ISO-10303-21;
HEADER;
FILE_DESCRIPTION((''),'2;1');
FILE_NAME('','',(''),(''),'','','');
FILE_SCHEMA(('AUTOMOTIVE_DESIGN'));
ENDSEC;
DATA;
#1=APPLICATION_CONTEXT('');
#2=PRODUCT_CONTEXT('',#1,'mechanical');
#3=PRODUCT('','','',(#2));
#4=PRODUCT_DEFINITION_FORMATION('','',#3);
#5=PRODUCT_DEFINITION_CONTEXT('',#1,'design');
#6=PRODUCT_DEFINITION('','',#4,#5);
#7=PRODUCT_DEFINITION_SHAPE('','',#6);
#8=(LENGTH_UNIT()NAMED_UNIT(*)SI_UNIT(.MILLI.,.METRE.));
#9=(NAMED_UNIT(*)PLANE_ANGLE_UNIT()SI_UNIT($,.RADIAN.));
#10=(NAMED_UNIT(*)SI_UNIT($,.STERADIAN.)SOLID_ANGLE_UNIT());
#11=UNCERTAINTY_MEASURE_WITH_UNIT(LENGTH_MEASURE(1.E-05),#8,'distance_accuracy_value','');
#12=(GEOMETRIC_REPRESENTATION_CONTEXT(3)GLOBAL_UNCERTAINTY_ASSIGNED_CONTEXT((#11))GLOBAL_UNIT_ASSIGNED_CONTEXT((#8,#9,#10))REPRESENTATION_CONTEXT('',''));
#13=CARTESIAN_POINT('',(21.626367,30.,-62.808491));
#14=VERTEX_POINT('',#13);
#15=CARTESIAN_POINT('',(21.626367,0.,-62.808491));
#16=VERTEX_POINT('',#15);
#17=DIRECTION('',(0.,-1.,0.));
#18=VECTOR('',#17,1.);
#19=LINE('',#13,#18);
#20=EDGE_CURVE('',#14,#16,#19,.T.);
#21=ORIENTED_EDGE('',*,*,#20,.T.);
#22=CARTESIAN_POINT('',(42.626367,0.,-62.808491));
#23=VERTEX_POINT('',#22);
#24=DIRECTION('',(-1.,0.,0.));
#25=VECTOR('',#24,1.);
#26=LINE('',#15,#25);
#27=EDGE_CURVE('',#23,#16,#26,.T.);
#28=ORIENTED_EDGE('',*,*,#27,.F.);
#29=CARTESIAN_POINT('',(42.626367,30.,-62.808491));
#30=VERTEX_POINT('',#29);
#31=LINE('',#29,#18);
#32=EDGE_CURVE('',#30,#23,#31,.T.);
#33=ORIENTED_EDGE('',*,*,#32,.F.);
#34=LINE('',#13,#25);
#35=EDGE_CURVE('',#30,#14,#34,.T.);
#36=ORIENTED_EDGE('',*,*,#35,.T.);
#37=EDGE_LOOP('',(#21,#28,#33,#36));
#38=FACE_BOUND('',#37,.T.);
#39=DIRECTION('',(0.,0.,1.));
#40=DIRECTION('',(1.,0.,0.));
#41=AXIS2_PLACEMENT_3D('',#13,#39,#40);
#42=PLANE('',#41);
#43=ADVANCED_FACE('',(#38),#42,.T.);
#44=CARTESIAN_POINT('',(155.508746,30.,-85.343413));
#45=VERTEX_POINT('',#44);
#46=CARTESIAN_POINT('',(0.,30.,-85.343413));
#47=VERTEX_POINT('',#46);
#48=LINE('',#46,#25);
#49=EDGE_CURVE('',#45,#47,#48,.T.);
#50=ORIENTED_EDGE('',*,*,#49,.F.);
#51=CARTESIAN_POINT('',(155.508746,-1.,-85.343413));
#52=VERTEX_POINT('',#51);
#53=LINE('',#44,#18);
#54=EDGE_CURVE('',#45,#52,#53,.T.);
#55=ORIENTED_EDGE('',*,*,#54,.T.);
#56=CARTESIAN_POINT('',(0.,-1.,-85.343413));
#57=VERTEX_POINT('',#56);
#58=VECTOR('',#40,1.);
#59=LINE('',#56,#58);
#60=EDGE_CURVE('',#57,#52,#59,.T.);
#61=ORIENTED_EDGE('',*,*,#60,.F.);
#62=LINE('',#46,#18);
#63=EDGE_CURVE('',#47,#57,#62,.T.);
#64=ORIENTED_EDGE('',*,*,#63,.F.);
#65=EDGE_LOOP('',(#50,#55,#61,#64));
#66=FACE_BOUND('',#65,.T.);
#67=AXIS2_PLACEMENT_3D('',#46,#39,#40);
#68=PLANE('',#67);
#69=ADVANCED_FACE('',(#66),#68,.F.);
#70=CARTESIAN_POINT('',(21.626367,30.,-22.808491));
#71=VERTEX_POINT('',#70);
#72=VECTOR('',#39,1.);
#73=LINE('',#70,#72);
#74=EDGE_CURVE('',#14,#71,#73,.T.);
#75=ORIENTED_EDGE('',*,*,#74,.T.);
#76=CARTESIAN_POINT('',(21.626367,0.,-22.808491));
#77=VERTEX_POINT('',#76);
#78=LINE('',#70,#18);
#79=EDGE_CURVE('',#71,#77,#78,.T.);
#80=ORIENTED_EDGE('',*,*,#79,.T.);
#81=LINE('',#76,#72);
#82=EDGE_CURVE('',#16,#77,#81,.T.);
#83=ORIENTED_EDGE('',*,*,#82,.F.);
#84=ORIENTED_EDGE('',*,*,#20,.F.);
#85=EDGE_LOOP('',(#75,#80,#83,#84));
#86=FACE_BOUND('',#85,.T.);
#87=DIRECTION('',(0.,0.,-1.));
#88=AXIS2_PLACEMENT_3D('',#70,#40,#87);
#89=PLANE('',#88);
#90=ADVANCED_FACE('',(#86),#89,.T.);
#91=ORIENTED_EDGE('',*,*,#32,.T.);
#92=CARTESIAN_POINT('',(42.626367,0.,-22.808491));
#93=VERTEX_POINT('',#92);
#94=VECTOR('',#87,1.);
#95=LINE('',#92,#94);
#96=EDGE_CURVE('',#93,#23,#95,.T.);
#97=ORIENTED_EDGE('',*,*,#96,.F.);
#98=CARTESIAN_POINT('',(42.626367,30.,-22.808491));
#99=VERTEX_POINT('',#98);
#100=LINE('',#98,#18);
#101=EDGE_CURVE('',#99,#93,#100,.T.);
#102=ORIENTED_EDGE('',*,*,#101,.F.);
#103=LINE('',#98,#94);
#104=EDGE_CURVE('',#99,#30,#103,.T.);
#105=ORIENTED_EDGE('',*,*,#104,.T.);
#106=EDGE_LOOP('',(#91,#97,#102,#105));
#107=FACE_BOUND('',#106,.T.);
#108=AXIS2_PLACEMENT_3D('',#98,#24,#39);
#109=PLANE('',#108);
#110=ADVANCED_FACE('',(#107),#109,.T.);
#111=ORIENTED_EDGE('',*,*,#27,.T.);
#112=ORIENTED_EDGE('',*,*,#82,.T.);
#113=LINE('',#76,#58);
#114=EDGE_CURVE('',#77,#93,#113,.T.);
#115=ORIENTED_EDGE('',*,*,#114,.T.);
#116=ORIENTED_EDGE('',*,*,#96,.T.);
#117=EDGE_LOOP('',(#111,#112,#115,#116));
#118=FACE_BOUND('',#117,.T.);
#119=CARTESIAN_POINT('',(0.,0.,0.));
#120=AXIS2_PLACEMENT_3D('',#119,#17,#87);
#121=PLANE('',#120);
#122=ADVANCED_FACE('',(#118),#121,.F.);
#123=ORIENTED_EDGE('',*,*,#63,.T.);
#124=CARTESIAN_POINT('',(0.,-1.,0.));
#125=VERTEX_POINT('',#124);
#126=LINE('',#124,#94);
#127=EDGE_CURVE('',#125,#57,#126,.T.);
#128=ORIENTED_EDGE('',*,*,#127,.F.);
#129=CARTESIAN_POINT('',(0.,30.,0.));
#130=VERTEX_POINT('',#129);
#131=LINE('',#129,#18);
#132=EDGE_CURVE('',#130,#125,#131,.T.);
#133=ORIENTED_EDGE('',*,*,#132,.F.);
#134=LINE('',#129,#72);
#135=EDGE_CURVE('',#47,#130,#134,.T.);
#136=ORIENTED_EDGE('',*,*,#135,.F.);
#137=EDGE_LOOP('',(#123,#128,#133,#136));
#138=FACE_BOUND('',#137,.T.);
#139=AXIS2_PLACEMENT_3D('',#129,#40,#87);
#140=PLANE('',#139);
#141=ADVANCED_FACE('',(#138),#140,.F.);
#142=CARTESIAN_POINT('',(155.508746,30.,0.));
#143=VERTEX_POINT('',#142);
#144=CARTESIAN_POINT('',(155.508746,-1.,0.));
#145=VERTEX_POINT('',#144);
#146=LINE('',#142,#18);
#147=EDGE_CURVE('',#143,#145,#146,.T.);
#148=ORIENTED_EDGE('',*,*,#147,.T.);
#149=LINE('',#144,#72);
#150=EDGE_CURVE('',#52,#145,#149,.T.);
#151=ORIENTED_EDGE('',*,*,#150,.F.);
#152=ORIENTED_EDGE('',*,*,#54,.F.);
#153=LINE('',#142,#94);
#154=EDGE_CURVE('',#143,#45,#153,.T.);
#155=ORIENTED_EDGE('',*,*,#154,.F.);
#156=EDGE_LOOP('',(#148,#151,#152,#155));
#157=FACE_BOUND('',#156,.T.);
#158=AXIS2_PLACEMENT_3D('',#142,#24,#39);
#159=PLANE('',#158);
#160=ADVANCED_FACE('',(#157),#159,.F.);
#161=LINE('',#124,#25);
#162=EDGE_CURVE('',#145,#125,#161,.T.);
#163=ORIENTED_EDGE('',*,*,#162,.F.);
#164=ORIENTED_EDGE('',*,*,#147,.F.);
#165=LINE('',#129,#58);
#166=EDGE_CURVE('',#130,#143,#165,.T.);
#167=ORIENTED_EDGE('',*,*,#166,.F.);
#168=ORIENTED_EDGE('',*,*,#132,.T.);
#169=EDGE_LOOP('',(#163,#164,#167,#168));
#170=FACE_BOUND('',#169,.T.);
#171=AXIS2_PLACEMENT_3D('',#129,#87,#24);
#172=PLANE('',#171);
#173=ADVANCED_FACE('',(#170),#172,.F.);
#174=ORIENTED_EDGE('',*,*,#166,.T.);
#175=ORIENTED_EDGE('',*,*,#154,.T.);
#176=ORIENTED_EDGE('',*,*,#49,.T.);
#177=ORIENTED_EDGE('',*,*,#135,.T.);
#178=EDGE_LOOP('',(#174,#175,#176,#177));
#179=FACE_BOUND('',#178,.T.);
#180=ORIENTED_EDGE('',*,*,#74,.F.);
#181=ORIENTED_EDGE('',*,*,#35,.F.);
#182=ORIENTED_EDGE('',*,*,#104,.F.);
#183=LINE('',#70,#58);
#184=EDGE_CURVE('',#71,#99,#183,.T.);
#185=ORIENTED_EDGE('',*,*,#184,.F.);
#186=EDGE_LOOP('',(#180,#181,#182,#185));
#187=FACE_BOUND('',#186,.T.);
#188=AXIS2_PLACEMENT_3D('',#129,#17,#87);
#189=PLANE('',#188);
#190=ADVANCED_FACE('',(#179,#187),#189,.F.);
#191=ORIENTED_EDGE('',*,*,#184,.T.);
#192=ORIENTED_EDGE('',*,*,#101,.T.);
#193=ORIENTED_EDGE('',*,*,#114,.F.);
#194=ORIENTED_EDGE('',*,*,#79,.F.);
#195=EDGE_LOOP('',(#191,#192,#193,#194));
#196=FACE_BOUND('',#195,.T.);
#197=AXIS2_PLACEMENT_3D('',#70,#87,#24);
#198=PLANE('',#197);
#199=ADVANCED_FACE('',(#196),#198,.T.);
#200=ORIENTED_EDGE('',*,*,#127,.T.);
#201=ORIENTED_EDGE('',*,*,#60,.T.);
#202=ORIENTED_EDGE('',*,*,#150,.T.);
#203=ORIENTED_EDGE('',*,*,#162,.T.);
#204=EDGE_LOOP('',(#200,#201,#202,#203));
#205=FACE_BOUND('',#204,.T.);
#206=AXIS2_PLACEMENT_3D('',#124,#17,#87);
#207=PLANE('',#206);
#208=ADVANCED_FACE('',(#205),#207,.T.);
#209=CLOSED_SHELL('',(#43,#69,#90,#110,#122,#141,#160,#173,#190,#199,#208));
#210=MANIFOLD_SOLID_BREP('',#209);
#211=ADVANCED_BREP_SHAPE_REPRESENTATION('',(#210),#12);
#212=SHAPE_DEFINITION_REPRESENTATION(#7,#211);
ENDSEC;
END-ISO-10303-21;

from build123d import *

# Parameters (mm, degrees)
SKETCH1_W           = 155.508745604
SKETCH1_H           = 85.343412613
SKETCH1_W_2         = 21
SKETCH1_H_2         = 40
BOSS_EXTRUDE1_DEPTH = 30
SKETCH2_W           = 155.508745604
SKETCH2_H           = 85.343412613
BOSS_EXTRUDE2_DEPTH = 1


with BuildPart() as part:
    # Sketch1 → Boss-Extrude1 (new body)
    with BuildSketch(Plane(origin=(0, 0, 0), x_dir=(1, 0, 0), z_dir=(0, 1, 0))):
        with Locations((77.754372802, 42.671706307)):
            Rectangle(SKETCH1_W, SKETCH1_H)
        with Locations((32.126366923, 42.80849117)):
            Rectangle(SKETCH1_W_2, SKETCH1_H_2, mode=Mode.SUBTRACT)
    extrude(amount=BOSS_EXTRUDE1_DEPTH)

    # Sketch2 → Boss-Extrude2 (add)
    with BuildSketch(Plane.XZ):
        with Locations((77.754372802, -42.671706307)):
            Rectangle(SKETCH2_W, SKETCH2_H)
    extrude(amount=BOSS_EXTRUDE2_DEPTH)


solid = part.part
